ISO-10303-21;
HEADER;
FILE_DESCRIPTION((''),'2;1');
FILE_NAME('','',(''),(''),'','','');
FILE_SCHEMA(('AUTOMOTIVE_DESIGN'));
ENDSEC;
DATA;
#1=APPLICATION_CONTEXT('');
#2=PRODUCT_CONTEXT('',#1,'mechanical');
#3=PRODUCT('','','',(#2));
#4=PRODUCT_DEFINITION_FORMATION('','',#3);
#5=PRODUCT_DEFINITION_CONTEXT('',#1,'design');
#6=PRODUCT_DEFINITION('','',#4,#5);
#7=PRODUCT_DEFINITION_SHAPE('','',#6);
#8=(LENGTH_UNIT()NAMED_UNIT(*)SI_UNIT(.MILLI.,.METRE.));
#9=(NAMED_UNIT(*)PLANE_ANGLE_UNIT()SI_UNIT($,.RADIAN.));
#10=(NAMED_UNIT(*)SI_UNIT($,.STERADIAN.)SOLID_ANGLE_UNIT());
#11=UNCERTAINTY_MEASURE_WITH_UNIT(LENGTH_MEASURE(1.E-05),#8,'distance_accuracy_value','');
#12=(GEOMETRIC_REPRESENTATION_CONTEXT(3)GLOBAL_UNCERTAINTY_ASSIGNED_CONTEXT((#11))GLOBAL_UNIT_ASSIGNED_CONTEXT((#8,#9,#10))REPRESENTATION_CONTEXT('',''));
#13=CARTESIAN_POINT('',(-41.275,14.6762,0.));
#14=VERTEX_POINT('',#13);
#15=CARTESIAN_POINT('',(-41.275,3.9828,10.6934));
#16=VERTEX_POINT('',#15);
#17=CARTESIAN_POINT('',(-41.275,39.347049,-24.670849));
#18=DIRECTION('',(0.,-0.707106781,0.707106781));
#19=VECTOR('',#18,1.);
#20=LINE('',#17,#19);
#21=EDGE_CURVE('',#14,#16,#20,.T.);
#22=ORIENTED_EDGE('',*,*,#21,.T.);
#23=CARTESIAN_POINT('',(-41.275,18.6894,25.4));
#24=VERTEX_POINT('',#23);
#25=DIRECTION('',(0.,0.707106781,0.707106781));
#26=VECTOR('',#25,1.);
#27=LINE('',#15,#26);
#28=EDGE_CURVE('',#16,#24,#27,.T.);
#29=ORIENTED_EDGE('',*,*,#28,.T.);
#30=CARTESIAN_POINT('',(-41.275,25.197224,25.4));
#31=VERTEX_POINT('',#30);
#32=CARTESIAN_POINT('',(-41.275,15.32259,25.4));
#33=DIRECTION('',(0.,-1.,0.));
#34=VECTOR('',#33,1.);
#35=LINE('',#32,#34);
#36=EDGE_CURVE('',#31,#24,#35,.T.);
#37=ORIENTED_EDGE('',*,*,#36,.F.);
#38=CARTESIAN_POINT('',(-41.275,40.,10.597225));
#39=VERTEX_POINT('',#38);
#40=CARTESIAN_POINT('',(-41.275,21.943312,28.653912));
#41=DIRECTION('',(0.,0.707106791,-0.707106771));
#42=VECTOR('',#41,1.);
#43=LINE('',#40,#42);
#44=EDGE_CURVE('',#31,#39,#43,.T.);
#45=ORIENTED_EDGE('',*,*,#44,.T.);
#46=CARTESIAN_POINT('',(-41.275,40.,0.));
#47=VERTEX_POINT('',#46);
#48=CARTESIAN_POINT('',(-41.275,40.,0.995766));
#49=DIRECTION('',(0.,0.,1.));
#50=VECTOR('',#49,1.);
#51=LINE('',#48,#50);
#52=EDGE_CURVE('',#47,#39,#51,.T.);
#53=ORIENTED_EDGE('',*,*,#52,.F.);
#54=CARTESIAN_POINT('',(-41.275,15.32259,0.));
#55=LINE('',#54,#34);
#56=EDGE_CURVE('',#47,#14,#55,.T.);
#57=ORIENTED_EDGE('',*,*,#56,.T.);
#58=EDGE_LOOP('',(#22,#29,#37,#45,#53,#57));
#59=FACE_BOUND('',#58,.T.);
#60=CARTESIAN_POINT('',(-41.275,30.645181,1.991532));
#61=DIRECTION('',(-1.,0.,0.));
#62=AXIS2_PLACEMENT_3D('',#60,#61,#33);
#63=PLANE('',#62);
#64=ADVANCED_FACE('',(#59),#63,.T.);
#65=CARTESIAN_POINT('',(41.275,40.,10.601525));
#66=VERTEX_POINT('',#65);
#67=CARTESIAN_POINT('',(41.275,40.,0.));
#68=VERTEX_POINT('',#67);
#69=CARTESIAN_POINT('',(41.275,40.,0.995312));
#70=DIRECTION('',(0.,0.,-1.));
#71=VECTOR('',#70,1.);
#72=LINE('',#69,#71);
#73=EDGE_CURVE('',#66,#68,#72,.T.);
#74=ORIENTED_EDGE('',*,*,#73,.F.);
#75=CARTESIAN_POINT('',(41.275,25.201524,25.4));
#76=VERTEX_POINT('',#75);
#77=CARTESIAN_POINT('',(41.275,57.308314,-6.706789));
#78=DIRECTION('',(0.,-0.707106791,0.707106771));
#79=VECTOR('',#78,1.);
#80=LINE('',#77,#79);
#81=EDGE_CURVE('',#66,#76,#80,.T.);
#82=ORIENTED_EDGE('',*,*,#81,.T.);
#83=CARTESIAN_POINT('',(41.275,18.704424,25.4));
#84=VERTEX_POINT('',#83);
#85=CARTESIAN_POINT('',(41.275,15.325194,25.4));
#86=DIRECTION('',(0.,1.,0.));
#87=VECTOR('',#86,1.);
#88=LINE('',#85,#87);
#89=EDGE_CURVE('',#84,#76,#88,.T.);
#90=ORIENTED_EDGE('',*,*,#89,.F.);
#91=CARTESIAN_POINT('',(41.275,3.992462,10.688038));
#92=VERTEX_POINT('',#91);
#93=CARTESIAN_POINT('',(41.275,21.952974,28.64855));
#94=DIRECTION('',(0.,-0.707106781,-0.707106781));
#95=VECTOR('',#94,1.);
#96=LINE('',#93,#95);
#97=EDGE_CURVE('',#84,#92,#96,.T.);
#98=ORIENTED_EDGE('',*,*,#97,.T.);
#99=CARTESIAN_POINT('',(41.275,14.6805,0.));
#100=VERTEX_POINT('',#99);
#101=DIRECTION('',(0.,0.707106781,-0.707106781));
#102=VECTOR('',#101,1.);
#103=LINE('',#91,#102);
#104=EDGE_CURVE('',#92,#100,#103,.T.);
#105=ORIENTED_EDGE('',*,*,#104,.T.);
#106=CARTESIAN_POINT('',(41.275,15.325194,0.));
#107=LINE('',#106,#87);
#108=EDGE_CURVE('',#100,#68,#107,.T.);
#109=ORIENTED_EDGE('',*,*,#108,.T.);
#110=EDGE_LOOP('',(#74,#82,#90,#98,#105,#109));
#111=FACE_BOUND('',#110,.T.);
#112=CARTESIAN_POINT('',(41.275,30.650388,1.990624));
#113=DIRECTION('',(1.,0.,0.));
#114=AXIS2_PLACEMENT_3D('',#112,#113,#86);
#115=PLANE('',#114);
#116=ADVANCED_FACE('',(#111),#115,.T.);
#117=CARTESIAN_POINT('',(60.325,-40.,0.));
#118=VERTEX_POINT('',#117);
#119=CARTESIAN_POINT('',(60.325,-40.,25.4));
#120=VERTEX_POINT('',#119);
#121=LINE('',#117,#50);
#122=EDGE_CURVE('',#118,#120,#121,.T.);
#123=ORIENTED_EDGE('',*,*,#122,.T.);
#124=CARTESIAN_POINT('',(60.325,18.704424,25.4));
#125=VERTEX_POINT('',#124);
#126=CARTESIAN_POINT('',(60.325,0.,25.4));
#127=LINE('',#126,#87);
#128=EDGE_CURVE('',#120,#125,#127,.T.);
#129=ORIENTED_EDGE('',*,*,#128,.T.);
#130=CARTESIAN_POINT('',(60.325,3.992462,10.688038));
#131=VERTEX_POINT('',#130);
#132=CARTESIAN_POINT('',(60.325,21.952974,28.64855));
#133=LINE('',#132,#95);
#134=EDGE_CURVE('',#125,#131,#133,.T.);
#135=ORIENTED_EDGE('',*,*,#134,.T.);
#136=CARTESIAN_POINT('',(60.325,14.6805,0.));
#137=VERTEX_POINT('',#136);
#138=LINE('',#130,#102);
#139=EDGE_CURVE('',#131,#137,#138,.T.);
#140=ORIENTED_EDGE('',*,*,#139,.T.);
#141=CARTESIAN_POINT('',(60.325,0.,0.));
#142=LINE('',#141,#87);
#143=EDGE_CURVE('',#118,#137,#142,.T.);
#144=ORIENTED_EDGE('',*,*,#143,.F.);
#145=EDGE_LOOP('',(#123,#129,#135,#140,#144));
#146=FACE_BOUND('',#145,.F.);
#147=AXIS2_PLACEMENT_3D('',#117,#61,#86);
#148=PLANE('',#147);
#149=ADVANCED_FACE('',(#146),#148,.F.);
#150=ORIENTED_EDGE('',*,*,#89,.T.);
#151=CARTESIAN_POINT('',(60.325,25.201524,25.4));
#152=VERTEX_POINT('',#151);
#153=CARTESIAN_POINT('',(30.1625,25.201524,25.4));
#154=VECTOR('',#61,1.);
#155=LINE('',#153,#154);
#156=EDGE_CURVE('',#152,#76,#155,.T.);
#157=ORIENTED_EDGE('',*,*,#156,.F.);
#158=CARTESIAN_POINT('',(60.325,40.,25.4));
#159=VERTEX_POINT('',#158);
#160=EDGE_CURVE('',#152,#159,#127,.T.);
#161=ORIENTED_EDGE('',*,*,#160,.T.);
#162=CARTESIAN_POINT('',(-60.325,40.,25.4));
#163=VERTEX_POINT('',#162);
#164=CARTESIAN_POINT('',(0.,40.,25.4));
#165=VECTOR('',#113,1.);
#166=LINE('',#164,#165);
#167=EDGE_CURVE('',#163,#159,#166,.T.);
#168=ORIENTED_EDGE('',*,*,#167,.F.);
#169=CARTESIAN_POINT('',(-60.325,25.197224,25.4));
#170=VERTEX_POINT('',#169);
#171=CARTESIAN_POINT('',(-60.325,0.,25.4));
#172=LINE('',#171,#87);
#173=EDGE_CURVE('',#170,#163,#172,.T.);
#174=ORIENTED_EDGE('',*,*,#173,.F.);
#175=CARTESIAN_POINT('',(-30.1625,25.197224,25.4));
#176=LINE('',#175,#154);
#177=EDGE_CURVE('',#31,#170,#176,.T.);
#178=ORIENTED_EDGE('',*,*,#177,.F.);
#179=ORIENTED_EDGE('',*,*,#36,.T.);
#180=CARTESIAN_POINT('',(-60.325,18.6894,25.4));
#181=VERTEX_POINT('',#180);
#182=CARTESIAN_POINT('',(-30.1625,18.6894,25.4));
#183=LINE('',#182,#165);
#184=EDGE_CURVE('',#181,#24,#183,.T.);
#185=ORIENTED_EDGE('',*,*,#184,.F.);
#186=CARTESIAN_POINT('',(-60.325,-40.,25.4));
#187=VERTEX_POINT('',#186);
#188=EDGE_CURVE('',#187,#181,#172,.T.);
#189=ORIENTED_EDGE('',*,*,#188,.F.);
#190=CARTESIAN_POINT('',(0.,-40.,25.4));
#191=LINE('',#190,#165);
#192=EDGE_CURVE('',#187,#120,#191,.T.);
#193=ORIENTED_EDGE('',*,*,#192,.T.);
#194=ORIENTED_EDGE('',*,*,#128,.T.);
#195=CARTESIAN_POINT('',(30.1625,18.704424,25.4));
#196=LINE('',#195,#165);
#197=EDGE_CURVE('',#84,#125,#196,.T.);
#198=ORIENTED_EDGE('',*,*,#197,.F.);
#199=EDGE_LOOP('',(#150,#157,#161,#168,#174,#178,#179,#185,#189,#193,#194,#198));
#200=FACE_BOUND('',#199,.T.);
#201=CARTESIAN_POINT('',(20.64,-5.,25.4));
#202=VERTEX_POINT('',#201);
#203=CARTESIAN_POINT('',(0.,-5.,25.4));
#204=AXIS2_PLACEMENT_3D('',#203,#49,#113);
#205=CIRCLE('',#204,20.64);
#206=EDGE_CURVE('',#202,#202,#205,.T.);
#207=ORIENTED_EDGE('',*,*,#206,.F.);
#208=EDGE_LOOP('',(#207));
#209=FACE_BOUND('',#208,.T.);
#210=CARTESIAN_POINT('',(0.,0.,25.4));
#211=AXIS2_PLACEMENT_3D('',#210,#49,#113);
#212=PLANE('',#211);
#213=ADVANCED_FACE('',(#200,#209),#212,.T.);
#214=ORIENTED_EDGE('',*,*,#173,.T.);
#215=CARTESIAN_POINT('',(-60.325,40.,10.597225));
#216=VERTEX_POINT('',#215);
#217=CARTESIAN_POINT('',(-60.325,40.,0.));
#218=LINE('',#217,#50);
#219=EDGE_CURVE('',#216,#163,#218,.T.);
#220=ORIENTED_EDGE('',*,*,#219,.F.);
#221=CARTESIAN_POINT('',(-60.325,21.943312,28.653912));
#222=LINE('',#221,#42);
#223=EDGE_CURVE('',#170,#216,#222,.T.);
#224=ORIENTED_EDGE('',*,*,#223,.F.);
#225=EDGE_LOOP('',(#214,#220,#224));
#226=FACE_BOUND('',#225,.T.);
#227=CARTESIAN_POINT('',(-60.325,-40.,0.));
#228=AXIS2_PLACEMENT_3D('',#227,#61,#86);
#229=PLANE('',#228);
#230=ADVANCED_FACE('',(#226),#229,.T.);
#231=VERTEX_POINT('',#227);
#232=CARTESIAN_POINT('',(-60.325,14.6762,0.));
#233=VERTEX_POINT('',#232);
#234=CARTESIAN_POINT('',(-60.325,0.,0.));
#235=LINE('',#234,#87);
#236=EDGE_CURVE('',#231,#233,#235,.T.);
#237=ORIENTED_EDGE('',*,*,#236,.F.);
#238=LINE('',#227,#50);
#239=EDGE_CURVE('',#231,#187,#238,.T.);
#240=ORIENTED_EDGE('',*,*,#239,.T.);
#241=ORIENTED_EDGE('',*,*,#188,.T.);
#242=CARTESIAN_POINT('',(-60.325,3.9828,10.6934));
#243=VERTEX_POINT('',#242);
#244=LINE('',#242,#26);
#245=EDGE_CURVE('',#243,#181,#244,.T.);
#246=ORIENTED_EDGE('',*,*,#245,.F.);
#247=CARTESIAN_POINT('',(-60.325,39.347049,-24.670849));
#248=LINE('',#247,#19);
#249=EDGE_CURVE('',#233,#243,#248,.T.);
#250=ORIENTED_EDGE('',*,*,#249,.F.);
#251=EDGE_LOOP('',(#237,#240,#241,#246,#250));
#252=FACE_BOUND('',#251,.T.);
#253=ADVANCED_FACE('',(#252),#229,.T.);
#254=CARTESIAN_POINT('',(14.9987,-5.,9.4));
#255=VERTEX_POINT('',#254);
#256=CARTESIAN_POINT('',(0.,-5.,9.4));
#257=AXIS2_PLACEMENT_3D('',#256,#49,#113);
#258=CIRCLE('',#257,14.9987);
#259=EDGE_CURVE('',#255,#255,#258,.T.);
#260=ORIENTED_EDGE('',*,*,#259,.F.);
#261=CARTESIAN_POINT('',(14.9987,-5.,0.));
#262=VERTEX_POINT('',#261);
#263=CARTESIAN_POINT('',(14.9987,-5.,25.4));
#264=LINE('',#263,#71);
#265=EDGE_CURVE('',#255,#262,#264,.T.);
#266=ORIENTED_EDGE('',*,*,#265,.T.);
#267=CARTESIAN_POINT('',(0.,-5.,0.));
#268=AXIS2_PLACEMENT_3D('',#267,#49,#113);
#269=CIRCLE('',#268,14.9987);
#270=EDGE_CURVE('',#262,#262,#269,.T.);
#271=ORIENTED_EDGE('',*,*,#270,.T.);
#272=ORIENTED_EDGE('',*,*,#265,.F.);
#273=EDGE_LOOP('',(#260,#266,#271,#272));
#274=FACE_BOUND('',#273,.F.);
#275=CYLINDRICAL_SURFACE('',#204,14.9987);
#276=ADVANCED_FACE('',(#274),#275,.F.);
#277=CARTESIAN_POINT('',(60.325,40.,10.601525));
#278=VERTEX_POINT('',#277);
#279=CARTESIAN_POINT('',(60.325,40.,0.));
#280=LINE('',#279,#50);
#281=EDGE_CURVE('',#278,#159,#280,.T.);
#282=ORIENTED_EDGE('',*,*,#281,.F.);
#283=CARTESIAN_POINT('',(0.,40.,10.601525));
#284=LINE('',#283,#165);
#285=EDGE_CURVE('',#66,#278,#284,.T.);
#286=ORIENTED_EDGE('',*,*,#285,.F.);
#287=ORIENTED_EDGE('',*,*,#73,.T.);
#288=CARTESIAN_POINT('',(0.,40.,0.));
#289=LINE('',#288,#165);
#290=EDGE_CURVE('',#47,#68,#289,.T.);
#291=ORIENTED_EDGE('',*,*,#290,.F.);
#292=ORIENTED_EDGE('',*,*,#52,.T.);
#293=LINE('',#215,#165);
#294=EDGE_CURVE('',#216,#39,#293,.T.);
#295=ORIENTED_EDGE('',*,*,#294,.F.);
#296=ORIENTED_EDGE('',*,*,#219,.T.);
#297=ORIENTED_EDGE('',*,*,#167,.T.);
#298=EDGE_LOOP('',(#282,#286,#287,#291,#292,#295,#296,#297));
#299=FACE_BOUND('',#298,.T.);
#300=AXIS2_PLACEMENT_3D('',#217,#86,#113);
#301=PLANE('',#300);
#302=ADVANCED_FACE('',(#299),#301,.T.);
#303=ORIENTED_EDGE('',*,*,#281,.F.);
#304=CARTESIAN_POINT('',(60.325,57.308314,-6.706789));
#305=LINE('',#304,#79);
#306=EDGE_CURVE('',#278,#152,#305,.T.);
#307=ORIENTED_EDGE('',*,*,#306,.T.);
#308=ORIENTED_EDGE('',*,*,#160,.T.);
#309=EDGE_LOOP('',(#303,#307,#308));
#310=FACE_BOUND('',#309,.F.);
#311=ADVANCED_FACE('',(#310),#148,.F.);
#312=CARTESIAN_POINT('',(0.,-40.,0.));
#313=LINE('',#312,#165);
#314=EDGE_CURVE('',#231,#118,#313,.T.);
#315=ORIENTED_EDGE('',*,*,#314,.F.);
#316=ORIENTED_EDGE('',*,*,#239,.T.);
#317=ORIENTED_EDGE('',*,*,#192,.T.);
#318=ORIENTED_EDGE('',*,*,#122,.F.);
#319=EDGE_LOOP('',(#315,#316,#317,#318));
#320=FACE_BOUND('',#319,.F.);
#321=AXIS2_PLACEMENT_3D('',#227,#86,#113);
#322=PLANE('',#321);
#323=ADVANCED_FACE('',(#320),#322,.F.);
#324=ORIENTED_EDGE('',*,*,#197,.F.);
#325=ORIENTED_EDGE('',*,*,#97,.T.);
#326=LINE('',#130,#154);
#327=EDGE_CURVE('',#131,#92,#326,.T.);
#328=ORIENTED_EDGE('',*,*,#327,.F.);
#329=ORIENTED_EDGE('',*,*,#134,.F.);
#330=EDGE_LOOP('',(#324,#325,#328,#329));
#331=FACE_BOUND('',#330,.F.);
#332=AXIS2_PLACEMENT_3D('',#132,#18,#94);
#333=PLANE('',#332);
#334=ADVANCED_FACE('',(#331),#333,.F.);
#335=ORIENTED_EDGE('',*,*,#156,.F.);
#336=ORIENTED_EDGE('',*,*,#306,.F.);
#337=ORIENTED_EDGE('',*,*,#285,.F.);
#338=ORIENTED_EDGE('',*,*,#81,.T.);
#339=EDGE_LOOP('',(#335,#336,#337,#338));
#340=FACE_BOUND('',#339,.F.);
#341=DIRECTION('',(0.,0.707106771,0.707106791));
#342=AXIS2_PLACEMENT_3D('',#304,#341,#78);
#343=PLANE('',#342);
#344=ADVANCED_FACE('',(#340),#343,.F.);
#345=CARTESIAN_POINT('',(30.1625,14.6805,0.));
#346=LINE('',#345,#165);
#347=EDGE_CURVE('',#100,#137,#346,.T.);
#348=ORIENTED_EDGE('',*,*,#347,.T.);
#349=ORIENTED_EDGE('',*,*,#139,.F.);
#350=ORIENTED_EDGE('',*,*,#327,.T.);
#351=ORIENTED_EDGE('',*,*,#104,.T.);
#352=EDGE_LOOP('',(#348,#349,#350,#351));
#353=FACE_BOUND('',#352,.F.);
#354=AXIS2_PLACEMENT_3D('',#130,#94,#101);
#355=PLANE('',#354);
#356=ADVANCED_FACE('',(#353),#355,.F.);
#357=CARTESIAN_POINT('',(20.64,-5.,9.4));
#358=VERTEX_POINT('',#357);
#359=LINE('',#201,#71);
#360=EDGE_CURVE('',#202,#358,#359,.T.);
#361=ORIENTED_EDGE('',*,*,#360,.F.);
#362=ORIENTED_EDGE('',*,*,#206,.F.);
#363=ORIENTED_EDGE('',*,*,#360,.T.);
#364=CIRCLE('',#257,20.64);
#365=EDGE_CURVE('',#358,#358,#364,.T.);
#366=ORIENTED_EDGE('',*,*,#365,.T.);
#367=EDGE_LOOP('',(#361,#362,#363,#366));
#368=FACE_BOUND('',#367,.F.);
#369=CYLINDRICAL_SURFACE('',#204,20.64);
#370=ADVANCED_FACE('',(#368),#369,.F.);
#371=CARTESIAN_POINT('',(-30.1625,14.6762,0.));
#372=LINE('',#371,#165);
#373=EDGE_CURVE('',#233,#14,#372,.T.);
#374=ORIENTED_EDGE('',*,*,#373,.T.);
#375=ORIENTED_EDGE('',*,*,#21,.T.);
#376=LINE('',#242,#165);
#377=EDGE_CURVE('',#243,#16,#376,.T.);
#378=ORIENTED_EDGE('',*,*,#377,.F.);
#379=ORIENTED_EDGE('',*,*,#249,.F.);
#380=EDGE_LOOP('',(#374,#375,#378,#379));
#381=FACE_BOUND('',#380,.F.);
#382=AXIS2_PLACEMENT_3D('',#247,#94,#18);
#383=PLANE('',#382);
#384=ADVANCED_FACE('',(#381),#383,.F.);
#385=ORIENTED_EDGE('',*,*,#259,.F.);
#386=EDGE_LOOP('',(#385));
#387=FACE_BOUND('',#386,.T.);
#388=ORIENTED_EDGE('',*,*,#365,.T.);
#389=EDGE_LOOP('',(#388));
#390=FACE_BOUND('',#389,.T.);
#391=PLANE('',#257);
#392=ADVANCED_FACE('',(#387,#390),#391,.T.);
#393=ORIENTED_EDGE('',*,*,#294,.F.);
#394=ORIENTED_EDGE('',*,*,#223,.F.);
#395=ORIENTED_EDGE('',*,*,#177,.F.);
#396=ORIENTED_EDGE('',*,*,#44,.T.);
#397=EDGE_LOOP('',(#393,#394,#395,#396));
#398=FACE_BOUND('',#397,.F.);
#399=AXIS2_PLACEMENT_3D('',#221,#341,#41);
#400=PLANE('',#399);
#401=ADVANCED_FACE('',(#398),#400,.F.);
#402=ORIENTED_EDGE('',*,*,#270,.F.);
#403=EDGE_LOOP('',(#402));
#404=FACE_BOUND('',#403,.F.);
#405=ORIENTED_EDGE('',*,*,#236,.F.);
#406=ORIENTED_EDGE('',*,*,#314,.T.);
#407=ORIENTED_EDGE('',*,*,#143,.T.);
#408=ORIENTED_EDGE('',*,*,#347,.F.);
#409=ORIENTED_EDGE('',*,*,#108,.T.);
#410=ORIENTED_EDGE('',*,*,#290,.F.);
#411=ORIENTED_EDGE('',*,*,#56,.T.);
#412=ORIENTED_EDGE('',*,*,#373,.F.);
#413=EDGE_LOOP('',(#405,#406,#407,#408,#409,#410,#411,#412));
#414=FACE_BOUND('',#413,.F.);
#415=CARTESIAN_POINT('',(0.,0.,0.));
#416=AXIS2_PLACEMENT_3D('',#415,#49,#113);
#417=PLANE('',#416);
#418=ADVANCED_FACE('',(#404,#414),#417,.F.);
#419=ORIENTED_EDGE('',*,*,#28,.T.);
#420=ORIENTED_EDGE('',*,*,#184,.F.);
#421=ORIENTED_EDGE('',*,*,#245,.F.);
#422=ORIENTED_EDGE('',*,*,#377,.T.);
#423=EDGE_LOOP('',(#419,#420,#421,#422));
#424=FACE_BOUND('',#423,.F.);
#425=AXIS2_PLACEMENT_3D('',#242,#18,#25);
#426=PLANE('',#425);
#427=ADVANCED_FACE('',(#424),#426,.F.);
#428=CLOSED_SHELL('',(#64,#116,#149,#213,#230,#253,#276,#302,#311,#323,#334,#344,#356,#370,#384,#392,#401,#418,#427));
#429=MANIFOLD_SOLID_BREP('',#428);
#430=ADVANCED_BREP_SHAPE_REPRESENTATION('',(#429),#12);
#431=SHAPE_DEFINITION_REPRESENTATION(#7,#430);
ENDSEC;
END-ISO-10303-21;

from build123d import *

# Parameters (mm, degrees)
F0_W     = 120.65
F0_H     = 80
F1_DEPTH = 25.4
F3_DEPTH = 19.05
F4_R     = 20.64
F5_DEPTH = 16
F7_DEPTH = 19.05
F8_R     = 14.9987
F9_DEPTH = 25.401


with BuildPart() as f1:
    # F0 (on Top) → F1 (new body)
    with BuildSketch(Plane.XY):
        Rectangle(F0_W, F0_H)
    extrude(amount=F1_DEPTH)

    # F2 (on face) → F3 (cut)
    with BuildSketch(Plane.YZ.offset(60.325)):
        Polygon((21.952974, 28.64855), (3.992462, 10.688038), (39.347801, -24.667301), (57.308314, -6.706789), align=None)
    extrude(amount=-F3_DEPTH, mode=Mode.SUBTRACT)

    # F4 (on face) → F5 (cut)
    with BuildSketch(Plane.XY.offset(25.4)):
        with Locations((0, -5)):
            Circle(F4_R)
    extrude(amount=-F5_DEPTH, mode=Mode.SUBTRACT)

    # F6 (on face) → F7 (cut)
    with BuildSketch(Plane(origin=(-60.325, 0, 0), x_dir=(0, -1, 0), z_dir=(-1, 0, 0))):
        Polygon((-21.943312, 28.653912), (-57.307561, -6.710336), (-39.347049, -24.670849), (-3.9828, 10.6934), align=None)
    extrude(amount=-F7_DEPTH, mode=Mode.SUBTRACT)

    # F8 (on face) → F9 (cut, through all)
    with BuildSketch(Plane.XY.offset(25.4)):
        with Locations((0, -5)):
            Circle(F8_R)
    extrude(amount=-F9_DEPTH, mode=Mode.SUBTRACT)


solid = f1.part
